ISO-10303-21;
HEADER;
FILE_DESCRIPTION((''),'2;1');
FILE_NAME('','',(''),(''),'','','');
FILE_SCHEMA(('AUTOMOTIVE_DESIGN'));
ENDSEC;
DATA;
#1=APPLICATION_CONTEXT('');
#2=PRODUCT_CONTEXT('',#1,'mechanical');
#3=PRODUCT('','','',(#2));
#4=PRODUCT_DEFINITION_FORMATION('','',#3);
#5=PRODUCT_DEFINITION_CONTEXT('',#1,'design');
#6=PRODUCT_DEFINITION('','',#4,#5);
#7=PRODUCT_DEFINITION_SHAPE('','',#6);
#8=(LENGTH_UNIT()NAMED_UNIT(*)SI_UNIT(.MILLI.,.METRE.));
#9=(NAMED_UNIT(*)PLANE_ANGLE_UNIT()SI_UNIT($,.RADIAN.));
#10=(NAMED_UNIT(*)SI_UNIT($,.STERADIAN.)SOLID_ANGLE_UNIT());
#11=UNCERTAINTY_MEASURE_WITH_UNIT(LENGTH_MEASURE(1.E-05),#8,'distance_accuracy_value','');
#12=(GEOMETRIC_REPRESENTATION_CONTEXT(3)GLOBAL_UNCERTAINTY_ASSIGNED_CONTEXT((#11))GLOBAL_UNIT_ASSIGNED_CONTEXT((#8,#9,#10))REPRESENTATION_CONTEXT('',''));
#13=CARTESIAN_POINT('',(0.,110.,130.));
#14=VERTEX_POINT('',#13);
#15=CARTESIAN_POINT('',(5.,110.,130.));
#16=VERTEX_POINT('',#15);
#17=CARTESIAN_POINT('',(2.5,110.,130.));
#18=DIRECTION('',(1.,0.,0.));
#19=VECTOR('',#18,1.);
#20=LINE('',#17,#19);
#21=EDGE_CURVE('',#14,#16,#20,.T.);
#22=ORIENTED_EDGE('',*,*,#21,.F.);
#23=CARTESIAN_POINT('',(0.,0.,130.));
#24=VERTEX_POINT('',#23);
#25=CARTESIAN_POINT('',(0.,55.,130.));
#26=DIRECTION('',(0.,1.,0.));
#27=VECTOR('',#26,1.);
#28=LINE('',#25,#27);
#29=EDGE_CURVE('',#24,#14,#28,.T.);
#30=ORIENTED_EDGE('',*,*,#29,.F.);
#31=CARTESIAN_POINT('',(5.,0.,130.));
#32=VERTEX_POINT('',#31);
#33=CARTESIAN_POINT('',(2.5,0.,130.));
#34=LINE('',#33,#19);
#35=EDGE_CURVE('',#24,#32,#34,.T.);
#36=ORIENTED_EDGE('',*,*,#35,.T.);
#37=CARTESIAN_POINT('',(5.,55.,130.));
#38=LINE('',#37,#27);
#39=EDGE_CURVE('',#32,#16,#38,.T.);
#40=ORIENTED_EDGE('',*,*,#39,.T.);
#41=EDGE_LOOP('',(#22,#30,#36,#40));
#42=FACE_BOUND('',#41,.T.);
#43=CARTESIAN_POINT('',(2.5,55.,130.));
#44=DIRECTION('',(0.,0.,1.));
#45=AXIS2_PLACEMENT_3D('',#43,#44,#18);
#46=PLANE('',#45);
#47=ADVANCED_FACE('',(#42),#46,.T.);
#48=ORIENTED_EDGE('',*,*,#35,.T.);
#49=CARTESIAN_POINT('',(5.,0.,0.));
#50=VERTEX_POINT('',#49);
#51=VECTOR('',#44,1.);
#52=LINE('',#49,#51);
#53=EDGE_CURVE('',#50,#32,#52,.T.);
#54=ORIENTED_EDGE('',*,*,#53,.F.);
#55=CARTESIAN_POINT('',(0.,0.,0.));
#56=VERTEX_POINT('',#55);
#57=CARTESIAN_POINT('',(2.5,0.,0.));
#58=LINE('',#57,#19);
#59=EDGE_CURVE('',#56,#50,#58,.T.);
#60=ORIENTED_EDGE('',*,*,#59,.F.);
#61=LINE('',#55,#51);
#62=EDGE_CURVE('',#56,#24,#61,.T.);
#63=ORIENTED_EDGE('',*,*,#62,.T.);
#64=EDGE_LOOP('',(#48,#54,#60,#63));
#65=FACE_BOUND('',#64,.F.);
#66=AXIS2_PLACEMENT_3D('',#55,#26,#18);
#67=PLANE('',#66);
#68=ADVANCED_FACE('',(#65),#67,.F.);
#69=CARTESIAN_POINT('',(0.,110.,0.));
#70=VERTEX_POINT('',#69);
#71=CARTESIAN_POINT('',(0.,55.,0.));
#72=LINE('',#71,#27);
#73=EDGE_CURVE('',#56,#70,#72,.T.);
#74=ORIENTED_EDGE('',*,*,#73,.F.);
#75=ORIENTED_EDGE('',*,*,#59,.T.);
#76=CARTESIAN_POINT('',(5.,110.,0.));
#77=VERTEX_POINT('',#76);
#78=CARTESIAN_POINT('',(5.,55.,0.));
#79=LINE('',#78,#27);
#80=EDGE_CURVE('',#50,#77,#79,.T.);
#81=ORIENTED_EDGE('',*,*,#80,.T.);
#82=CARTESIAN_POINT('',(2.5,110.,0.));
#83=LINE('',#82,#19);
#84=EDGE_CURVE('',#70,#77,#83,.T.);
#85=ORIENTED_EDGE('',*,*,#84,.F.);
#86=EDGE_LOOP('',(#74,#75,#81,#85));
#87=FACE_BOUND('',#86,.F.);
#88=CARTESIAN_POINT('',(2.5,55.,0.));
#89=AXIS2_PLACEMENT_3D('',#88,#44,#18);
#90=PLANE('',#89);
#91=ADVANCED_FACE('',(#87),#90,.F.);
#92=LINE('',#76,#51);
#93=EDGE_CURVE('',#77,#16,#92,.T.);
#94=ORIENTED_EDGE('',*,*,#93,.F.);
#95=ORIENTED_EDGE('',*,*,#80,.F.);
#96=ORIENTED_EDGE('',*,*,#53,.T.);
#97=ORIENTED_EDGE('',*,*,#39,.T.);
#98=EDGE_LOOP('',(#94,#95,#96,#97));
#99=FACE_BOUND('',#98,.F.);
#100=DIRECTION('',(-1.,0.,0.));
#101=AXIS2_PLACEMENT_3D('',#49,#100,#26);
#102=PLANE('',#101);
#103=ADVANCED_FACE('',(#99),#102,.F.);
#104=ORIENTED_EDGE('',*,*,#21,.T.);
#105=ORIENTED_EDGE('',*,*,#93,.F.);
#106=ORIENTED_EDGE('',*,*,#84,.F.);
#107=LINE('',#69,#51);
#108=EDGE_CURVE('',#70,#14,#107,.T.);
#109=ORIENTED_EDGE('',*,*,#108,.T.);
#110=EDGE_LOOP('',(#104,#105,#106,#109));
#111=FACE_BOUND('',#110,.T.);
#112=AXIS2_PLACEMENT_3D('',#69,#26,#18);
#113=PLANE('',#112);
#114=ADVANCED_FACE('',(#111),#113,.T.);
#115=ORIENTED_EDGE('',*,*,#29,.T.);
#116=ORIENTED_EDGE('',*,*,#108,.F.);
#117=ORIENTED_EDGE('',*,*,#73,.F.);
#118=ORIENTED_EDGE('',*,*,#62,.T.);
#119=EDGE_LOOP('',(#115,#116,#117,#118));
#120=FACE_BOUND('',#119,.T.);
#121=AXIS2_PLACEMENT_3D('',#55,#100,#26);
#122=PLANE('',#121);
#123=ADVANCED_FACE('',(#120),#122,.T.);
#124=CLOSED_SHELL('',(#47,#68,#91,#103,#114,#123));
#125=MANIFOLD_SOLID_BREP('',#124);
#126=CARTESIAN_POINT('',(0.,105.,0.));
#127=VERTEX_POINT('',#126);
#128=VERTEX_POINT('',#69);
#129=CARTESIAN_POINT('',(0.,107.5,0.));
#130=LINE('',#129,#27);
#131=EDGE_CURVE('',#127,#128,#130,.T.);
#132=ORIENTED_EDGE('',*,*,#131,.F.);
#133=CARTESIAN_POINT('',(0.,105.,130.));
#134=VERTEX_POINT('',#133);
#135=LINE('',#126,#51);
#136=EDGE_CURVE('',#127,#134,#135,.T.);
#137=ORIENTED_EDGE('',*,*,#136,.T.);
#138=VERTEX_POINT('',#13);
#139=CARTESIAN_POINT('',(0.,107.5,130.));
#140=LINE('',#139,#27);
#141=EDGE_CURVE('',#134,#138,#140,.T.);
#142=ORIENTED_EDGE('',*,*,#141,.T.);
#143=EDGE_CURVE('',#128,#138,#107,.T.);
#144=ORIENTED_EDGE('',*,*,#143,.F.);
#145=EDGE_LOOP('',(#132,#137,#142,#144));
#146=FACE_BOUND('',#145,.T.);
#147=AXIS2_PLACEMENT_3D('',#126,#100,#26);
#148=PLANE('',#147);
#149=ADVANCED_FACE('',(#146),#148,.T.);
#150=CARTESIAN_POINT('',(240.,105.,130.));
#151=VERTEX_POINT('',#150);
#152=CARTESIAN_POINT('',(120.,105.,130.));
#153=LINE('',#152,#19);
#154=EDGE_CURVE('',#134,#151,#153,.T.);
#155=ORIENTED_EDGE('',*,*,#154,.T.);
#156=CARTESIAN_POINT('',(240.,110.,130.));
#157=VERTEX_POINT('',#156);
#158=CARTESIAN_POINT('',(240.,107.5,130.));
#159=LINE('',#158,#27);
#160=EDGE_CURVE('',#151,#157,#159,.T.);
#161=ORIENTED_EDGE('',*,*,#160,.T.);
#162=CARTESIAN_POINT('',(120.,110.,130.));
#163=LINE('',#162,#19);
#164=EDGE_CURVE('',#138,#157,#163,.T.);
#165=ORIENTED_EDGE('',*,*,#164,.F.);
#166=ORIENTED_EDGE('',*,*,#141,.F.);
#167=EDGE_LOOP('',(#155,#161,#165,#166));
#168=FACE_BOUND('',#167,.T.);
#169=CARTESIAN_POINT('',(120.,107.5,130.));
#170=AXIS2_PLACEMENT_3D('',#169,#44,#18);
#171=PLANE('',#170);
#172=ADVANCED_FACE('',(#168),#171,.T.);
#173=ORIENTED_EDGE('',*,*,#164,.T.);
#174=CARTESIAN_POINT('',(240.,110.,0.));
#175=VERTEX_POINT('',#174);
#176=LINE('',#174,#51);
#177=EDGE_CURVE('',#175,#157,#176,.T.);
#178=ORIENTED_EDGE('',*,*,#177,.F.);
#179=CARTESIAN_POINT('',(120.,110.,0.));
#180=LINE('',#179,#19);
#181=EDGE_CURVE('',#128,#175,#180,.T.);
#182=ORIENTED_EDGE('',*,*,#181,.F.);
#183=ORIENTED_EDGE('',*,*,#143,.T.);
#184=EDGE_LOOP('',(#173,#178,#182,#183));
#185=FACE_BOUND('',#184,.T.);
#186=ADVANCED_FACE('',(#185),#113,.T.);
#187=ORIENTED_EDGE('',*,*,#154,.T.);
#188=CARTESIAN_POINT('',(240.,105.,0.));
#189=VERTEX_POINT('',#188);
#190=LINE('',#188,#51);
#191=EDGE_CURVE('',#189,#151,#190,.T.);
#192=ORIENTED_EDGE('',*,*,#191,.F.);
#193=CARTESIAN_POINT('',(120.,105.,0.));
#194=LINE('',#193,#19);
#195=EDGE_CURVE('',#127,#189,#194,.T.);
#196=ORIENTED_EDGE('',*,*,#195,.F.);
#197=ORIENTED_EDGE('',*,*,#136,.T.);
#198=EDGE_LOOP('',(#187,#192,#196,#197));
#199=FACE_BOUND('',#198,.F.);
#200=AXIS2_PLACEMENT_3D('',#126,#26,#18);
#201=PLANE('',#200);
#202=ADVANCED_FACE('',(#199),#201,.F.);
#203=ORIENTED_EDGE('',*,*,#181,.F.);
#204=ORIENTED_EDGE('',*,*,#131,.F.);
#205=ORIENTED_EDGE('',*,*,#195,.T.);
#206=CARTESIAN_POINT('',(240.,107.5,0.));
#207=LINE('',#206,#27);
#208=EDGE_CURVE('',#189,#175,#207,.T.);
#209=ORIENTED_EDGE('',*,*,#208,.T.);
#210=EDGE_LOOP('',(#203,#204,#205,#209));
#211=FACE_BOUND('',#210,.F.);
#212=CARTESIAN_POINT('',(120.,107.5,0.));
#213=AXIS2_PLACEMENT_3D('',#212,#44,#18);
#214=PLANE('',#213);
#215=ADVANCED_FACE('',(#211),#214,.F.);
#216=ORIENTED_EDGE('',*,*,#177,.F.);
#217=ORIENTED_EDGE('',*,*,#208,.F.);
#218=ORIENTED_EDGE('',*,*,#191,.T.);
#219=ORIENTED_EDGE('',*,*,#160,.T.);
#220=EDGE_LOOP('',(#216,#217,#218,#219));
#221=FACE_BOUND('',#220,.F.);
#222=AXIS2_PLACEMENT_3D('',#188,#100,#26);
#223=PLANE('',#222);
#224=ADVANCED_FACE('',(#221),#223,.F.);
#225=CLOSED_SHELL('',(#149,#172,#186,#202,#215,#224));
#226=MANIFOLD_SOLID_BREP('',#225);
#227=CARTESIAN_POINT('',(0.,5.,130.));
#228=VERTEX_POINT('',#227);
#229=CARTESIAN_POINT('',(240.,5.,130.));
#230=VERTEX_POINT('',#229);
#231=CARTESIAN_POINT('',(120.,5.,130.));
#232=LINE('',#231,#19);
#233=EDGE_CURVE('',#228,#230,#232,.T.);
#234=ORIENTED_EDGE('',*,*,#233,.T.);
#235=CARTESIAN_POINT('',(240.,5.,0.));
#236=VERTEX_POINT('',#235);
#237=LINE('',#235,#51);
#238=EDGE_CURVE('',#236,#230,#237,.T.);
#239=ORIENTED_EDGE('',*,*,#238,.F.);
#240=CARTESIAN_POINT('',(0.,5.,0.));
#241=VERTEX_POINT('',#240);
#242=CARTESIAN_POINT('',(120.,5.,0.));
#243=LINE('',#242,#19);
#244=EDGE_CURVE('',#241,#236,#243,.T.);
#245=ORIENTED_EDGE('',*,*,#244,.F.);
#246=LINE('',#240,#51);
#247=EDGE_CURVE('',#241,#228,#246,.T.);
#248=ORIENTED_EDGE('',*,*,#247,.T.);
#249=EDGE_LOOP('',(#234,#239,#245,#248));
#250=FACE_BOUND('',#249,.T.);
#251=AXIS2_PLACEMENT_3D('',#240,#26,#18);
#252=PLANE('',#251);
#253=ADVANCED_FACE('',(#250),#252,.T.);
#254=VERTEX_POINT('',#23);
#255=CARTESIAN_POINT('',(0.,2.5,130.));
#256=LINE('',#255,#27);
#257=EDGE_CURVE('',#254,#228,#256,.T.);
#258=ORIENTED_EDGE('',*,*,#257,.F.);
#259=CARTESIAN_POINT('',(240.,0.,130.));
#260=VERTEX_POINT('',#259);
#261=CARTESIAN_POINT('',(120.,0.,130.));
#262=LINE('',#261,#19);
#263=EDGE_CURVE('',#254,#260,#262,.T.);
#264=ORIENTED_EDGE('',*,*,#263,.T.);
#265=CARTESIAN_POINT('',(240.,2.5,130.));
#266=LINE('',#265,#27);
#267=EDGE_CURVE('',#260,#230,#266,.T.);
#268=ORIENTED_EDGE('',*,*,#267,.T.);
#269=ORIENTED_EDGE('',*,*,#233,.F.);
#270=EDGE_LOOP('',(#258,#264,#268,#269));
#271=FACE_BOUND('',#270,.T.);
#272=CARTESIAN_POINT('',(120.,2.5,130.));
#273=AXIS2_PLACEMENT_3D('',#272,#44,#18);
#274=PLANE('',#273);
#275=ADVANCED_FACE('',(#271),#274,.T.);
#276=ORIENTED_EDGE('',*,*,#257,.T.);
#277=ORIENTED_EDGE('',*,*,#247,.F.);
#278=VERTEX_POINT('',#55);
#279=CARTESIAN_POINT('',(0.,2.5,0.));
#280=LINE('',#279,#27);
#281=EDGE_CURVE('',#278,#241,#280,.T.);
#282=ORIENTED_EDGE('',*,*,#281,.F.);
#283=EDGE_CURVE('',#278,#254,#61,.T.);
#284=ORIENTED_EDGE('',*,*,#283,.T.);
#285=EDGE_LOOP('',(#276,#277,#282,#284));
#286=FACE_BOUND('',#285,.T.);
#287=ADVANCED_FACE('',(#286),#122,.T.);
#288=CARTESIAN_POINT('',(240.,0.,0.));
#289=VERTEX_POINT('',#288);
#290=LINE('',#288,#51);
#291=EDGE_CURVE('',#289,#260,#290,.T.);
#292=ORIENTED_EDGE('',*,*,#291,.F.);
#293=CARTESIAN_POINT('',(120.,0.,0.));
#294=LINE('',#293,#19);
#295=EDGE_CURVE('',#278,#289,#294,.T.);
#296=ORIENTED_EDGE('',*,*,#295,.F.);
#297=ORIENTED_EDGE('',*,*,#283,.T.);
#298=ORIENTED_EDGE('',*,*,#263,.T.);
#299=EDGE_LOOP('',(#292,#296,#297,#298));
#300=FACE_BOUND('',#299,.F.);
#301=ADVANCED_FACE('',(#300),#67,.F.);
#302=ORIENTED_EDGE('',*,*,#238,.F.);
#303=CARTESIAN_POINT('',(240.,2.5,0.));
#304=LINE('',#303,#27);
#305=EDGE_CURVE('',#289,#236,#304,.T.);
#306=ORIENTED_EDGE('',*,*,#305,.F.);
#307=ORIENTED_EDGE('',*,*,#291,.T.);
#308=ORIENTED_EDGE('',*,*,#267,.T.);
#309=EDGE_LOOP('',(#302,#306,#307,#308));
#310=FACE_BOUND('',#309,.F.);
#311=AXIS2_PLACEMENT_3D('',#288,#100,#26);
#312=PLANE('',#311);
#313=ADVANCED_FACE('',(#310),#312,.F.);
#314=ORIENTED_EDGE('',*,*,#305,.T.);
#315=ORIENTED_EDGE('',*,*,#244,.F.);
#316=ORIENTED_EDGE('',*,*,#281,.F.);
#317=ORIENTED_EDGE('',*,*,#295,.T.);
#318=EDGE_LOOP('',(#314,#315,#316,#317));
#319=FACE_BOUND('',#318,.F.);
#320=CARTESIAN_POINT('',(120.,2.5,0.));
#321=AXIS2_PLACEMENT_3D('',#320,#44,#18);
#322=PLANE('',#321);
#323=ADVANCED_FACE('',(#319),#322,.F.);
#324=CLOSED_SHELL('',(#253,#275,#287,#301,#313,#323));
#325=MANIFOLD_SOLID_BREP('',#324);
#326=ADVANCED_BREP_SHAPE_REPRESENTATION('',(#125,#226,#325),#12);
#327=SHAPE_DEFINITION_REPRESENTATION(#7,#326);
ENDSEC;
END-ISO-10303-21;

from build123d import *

# Parameters (mm, degrees)
BOX004_W     = 5
BOX004_H     = 110
BOX004_DEPTH = 130
BOX002_W     = 240
BOX002_H     = 5
BOX002_DEPTH = 130
BOX003_W     = 240
BOX003_H     = 5
BOX003_DEPTH = 130


with BuildPart() as cube004:
    # Box004 → Box004 (new body)
    with BuildSketch(Plane.XY):
        with Locations((2.5, 55)):
            Rectangle(BOX004_W, BOX004_H)
    extrude(amount=BOX004_DEPTH)


with BuildPart() as cube002:
    # Box002 → Box002 (new body)
    with BuildSketch(Plane(origin=(0, 105, 0), x_dir=(1, 0, 0), z_dir=(0, 0, 1))):
        with Locations((120, 2.5)):
            Rectangle(BOX002_W, BOX002_H)
    extrude(amount=BOX002_DEPTH)


with BuildPart() as cube003:
    # Box003 → Box003 (new body)
    with BuildSketch(Plane.XY):
        with Locations((120, 2.5)):
            Rectangle(BOX003_W, BOX003_H)
    extrude(amount=BOX003_DEPTH)


solid = Compound([cube004.part, cube002.part, cube003.part])
